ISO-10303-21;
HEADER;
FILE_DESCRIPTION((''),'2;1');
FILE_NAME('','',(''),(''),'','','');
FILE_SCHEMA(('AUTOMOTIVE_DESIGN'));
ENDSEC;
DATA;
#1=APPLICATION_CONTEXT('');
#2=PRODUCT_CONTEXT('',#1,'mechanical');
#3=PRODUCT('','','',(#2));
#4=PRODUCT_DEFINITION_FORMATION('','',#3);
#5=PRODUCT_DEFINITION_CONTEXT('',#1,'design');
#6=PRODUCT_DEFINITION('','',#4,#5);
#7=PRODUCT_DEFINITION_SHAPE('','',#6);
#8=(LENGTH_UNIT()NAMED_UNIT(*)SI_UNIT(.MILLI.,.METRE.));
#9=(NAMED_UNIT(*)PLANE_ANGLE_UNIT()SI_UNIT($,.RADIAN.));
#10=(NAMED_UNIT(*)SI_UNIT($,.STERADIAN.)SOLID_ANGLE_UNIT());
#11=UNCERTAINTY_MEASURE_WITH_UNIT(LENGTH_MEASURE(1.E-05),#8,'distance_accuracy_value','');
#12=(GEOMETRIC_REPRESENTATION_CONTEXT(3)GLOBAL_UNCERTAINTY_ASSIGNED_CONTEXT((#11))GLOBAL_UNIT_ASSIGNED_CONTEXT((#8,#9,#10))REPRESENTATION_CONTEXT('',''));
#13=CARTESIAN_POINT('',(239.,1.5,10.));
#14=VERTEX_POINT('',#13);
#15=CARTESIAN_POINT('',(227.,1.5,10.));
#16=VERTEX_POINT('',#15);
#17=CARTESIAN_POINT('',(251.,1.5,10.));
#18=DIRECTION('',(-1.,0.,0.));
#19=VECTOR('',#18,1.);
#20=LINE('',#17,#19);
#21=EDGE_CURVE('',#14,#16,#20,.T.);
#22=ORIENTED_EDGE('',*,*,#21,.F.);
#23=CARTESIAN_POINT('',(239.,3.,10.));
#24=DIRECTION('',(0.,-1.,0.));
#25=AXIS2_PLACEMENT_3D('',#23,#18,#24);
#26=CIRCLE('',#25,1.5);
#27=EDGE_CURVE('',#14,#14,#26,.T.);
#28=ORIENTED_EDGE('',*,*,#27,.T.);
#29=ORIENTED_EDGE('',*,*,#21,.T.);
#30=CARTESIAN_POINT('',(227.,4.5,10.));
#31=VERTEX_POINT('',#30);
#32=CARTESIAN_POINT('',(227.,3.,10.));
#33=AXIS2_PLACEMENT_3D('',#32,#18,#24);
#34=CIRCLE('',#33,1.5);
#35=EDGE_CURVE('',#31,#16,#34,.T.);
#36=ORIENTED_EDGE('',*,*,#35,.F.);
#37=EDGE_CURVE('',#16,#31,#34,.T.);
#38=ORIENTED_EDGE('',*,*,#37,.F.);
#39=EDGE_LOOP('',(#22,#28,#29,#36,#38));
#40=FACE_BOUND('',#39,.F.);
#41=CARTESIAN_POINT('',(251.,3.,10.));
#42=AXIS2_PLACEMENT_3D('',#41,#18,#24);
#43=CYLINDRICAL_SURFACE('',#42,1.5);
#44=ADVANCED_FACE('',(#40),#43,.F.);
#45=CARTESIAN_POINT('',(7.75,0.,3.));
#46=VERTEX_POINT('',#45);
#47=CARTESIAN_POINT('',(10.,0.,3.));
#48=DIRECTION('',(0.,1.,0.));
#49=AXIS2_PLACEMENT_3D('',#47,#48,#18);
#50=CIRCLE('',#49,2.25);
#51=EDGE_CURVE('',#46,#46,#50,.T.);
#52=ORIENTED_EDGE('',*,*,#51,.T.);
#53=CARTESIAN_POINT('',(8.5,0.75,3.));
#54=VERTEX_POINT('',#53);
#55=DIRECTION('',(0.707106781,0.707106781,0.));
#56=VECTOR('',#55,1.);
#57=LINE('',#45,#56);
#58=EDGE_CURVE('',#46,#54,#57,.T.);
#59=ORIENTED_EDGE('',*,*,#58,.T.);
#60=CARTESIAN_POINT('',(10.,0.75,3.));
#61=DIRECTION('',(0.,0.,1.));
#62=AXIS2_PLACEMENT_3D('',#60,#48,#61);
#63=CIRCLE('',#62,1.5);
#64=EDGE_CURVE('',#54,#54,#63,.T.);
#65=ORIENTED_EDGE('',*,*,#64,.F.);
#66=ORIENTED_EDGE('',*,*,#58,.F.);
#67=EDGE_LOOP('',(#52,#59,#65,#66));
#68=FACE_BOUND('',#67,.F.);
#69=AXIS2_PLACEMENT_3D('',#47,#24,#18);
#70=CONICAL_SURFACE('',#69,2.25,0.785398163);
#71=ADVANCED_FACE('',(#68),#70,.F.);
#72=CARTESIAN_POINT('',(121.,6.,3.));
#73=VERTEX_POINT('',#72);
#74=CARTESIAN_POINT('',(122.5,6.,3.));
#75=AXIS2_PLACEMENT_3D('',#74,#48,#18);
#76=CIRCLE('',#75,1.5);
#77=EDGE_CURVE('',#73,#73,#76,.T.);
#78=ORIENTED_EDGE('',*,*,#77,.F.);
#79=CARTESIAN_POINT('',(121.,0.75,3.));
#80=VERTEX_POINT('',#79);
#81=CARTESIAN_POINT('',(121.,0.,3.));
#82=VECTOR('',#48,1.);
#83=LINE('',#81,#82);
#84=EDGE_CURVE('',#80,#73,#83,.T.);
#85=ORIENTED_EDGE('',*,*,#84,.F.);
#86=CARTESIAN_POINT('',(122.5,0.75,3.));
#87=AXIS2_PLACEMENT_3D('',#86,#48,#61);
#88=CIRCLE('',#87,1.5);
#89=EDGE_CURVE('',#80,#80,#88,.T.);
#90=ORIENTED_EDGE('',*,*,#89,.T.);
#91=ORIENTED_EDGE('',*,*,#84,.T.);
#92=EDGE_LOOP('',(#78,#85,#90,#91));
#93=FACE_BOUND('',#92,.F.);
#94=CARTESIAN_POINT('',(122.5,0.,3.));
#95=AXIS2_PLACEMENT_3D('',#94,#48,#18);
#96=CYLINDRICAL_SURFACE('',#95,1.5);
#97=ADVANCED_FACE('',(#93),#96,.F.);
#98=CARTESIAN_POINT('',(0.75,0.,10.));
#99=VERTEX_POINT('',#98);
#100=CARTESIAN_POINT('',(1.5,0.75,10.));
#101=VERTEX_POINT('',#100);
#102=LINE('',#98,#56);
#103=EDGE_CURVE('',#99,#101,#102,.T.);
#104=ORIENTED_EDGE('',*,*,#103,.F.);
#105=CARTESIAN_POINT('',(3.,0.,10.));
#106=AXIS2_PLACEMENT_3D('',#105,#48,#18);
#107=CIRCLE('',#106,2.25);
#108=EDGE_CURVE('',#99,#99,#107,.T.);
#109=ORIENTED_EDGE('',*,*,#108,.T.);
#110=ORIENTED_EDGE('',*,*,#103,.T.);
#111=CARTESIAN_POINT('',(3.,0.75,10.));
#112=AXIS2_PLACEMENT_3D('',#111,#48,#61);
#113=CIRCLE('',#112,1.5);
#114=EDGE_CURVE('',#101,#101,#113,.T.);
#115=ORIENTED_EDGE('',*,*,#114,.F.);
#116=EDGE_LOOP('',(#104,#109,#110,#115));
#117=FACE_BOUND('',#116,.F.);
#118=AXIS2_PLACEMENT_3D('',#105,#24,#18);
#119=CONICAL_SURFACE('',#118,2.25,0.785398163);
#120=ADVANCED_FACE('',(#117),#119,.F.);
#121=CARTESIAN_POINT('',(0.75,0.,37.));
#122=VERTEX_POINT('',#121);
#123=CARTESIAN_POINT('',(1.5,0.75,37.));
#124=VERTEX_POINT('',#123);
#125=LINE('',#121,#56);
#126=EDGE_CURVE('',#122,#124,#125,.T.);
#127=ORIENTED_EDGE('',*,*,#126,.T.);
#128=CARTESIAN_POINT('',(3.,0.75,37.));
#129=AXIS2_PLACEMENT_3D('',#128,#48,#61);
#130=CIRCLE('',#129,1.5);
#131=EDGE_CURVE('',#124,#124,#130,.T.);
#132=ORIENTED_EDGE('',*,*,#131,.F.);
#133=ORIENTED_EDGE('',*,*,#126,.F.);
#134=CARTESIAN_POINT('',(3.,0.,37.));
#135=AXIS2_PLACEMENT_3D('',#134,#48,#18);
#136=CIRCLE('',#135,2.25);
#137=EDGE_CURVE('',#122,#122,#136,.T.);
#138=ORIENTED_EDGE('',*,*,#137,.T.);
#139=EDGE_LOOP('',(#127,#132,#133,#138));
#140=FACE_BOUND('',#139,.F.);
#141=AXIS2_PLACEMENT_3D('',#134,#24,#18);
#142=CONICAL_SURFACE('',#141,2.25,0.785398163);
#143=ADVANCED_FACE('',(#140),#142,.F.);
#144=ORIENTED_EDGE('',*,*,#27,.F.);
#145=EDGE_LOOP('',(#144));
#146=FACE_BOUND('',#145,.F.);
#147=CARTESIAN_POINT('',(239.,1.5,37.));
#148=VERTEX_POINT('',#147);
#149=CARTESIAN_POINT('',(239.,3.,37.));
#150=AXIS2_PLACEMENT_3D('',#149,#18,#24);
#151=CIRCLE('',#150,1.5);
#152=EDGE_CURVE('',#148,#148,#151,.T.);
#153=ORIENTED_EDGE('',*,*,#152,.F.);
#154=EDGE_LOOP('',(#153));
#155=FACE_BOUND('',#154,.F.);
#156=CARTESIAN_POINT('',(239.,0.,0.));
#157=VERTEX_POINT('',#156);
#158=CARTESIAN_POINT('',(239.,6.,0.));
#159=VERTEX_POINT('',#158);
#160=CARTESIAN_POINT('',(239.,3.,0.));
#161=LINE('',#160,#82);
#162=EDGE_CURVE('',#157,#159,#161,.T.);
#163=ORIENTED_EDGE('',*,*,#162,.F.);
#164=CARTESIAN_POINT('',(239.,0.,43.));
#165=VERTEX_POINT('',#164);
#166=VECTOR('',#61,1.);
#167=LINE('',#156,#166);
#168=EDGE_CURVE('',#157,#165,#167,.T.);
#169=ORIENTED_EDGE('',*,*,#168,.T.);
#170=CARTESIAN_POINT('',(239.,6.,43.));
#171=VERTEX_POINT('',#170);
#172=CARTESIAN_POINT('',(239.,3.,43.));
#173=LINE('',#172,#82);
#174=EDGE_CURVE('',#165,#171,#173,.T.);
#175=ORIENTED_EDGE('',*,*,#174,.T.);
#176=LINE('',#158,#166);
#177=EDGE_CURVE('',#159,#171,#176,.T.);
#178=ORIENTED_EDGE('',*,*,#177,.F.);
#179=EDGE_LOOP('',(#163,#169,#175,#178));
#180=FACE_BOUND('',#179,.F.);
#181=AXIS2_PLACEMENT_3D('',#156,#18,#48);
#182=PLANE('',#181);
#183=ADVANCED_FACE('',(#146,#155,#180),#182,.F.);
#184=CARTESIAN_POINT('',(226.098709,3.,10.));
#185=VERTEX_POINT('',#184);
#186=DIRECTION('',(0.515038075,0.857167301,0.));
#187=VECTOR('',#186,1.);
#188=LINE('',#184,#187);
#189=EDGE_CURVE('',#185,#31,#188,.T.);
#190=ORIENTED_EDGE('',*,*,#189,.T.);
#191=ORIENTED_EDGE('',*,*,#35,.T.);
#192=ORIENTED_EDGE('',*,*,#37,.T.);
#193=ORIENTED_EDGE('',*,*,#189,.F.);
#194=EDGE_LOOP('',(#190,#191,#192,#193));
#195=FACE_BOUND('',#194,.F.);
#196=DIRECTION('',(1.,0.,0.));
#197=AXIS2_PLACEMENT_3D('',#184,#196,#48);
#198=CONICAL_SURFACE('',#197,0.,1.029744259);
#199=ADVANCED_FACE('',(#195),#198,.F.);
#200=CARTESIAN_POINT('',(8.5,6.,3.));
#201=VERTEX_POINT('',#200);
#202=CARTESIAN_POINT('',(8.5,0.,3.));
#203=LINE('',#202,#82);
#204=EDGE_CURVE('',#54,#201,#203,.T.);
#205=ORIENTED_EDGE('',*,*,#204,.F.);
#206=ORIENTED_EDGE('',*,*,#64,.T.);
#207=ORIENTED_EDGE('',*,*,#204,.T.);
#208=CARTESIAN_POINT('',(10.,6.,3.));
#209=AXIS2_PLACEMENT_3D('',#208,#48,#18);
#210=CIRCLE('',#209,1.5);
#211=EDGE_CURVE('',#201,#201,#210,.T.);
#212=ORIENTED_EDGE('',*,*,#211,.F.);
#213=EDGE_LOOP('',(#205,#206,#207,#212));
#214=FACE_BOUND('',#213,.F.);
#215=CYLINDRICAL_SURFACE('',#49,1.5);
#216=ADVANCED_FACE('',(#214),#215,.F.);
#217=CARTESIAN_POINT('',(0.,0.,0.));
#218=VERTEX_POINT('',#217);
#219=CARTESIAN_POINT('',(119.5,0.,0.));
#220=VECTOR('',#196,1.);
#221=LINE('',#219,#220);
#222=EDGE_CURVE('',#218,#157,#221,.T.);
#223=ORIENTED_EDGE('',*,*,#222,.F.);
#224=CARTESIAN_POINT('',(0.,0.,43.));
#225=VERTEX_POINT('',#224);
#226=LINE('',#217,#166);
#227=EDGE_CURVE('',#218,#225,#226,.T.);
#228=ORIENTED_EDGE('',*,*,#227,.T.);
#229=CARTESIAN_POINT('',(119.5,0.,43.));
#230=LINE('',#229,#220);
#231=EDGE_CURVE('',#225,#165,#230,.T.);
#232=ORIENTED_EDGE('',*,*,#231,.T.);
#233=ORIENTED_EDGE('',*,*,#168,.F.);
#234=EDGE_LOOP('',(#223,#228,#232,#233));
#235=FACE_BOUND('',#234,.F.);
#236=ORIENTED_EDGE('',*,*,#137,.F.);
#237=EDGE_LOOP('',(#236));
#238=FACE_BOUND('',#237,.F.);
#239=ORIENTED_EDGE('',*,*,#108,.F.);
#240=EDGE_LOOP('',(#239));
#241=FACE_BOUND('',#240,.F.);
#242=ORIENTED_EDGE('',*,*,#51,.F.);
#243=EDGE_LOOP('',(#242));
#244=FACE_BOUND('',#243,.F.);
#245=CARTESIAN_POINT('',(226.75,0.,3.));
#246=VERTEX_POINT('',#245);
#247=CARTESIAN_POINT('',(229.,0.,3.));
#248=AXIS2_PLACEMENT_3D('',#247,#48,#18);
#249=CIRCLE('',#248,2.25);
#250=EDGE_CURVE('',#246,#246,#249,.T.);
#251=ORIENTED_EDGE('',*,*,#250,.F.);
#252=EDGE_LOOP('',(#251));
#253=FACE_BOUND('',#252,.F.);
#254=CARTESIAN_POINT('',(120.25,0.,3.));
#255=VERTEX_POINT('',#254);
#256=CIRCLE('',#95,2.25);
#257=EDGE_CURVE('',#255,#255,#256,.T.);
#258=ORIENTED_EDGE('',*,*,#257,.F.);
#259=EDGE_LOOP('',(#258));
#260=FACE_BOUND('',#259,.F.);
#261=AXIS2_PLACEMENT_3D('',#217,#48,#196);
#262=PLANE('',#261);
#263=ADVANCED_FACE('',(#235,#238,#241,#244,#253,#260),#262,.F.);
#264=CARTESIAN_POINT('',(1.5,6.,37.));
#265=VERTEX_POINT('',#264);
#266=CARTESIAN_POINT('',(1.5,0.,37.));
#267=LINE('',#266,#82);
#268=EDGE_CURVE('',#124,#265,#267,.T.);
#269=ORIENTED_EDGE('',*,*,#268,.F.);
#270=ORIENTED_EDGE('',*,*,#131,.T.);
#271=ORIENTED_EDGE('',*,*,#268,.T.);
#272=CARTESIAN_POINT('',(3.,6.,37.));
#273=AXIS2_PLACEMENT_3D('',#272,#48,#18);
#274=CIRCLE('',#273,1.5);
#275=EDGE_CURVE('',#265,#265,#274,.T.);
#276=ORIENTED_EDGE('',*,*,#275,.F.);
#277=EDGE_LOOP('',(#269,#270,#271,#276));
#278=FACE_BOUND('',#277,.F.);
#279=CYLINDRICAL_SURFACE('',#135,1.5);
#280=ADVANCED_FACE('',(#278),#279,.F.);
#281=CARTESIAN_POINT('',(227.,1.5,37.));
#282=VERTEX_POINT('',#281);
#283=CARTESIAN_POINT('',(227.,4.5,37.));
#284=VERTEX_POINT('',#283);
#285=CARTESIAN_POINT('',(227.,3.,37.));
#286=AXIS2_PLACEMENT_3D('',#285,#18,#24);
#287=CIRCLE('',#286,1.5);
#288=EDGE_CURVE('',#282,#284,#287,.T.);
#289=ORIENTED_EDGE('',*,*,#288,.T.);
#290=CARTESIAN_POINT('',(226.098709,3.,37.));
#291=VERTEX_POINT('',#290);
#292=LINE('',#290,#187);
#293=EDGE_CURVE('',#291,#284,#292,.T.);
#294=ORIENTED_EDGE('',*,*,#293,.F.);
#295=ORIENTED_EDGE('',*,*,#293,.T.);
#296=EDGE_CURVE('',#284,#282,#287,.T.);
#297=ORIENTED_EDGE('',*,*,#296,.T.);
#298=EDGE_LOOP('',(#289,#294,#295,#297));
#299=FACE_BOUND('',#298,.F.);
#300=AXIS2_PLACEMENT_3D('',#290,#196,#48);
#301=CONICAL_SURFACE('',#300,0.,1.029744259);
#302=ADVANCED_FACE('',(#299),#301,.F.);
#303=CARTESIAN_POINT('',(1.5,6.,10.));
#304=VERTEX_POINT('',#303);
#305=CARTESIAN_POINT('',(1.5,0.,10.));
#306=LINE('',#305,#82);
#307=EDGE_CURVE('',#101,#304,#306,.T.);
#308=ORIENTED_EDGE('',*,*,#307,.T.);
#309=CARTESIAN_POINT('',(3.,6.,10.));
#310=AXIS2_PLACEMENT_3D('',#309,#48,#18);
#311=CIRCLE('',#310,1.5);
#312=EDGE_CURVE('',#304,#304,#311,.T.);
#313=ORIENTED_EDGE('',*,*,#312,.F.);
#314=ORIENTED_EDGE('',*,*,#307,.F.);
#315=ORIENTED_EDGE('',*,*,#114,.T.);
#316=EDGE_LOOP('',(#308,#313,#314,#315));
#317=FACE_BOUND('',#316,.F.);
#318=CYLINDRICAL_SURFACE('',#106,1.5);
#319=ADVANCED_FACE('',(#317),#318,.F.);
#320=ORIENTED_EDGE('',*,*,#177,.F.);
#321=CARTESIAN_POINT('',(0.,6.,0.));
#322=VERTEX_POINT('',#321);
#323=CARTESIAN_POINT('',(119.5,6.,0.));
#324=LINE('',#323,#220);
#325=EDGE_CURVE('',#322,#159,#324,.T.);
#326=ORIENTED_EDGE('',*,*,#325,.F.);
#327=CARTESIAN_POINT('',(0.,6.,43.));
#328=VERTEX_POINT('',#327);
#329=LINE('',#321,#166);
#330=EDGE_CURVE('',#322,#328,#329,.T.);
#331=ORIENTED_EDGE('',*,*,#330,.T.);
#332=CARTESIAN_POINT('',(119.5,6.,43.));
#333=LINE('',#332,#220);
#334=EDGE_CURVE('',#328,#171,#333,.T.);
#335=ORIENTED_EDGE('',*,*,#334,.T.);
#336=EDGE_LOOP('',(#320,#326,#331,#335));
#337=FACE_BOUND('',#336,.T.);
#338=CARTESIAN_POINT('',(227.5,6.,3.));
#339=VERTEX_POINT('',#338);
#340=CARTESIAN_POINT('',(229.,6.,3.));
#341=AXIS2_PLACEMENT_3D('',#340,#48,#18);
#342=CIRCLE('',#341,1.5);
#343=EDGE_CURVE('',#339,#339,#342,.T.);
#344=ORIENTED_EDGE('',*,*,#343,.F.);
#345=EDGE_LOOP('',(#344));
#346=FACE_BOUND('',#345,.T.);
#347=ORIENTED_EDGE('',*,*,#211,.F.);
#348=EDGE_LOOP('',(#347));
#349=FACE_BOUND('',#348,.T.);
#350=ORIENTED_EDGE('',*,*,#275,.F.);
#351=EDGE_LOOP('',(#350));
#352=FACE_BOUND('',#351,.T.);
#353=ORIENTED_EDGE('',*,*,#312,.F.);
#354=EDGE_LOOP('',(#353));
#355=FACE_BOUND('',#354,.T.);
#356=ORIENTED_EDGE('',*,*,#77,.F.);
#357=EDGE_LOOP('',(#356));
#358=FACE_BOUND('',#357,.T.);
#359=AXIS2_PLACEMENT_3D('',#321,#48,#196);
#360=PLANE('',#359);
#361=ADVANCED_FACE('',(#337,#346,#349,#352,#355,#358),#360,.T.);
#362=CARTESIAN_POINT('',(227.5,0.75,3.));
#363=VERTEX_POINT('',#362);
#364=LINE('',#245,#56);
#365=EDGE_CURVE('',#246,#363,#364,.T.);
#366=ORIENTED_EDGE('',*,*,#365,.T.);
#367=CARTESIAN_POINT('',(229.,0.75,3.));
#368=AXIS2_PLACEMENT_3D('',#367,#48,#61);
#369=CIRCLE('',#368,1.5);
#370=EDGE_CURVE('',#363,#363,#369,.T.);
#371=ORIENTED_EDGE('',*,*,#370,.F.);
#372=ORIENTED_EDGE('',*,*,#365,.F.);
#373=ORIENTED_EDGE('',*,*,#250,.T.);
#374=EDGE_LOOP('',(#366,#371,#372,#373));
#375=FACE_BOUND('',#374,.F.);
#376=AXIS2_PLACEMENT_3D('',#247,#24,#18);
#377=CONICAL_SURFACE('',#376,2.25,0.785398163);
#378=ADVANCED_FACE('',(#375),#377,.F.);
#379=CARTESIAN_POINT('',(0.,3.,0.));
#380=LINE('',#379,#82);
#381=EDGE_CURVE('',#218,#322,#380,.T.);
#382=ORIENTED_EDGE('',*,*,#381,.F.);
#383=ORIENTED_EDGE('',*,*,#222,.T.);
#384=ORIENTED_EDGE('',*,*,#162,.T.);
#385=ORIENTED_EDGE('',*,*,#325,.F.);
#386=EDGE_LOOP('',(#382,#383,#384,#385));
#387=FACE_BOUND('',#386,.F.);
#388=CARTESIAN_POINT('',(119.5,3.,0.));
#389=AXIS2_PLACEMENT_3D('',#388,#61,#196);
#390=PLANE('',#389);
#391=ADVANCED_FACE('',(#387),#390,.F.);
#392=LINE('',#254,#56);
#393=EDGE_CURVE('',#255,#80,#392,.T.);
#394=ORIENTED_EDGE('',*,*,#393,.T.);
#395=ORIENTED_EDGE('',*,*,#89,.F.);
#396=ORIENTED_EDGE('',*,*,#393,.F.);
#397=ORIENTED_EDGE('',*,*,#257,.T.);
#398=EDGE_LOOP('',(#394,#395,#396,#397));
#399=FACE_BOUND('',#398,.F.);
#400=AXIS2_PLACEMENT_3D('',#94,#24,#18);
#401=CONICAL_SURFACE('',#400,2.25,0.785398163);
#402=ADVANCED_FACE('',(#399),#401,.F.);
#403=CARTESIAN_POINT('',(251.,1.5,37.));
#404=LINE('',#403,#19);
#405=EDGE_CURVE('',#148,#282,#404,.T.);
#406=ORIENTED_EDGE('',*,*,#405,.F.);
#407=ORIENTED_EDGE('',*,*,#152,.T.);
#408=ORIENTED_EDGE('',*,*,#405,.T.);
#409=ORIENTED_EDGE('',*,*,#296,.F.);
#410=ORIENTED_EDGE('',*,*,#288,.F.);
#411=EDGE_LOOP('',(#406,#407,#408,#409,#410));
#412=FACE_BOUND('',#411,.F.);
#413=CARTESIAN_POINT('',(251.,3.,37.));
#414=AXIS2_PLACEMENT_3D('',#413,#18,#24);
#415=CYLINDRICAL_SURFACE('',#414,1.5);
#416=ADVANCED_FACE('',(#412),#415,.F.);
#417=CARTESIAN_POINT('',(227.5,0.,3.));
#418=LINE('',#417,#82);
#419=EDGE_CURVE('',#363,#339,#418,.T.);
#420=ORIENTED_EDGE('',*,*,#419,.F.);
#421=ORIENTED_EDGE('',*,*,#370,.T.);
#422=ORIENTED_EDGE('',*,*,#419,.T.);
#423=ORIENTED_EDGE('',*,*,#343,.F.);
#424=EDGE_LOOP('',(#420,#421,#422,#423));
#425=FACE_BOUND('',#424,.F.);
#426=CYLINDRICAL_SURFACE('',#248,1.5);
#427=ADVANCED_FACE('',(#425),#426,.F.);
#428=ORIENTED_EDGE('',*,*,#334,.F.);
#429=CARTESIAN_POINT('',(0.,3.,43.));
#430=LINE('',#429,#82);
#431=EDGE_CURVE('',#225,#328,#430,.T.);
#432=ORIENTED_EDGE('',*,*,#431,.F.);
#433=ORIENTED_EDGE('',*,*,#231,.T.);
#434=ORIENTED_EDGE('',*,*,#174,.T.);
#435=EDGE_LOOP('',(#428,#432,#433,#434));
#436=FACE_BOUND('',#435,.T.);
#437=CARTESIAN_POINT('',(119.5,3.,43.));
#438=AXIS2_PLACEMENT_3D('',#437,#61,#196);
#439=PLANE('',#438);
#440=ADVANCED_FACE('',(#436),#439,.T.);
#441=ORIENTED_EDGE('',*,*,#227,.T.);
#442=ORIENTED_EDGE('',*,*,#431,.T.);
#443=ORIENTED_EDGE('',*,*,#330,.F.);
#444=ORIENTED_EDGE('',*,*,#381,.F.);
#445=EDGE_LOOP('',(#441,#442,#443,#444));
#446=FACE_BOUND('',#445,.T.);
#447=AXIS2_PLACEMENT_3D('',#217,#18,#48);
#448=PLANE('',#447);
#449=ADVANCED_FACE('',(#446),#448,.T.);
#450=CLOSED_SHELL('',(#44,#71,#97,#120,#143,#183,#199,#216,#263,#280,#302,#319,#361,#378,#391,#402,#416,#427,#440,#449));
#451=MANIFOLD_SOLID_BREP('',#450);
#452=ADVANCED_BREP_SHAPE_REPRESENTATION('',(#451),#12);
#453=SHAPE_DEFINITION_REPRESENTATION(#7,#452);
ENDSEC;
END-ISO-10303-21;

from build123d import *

# Parameters (mm, degrees)
F0_W           = 239
F0_H           = 6
F1_DEPTH       = 43
F3_D           = 3
F3_DEPTH       = 12
F3_TIP         = 0.9012909285
F5_D           = 3
F5_DEPTH       = 12
F5_CSINK_D     = 4.5
F5_CSINK_ANGLE = 90
F5_TIP         = 0.9012909285
F7_D           = 3
F7_CSINK_D     = 4.5
F7_CSINK_ANGLE = 90


with BuildPart() as f1:
    # F0 (on Top) → F1 (new body)
    with BuildSketch(Plane.XY):
        with Locations((119.5, 3)):
            Rectangle(F0_W, F0_H)
    extrude(amount=F1_DEPTH)

    # F3
    with Locations(Plane.YZ.offset(239)):
        with Locations((3, 37), (3, 10)):
            Hole(F3_D / 2, depth=F3_DEPTH)
            with Locations((0, 0, -(F3_DEPTH + F3_TIP / 2))):  # 118° drill point
                Cone(0, F3_D / 2, F3_TIP, mode=Mode.SUBTRACT)

    # F5
    with Locations(Plane.XZ):
        with Locations((3, 37), (3, 10)):
            CounterSinkHole(F5_D / 2, F5_CSINK_D / 2, depth=F5_DEPTH, counter_sink_angle=F5_CSINK_ANGLE)
            with Locations((0, 0, -(F5_DEPTH + F5_TIP / 2))):  # 118° drill point
                Cone(0, F5_D / 2, F5_TIP, mode=Mode.SUBTRACT)

    # F7 (through all)
    with Locations(Plane.XZ):
        with Locations((122.5, 3), (229, 3), (10, 3)):
            CounterSinkHole(F7_D / 2, F7_CSINK_D / 2, counter_sink_angle=F7_CSINK_ANGLE)


solid = f1.part
